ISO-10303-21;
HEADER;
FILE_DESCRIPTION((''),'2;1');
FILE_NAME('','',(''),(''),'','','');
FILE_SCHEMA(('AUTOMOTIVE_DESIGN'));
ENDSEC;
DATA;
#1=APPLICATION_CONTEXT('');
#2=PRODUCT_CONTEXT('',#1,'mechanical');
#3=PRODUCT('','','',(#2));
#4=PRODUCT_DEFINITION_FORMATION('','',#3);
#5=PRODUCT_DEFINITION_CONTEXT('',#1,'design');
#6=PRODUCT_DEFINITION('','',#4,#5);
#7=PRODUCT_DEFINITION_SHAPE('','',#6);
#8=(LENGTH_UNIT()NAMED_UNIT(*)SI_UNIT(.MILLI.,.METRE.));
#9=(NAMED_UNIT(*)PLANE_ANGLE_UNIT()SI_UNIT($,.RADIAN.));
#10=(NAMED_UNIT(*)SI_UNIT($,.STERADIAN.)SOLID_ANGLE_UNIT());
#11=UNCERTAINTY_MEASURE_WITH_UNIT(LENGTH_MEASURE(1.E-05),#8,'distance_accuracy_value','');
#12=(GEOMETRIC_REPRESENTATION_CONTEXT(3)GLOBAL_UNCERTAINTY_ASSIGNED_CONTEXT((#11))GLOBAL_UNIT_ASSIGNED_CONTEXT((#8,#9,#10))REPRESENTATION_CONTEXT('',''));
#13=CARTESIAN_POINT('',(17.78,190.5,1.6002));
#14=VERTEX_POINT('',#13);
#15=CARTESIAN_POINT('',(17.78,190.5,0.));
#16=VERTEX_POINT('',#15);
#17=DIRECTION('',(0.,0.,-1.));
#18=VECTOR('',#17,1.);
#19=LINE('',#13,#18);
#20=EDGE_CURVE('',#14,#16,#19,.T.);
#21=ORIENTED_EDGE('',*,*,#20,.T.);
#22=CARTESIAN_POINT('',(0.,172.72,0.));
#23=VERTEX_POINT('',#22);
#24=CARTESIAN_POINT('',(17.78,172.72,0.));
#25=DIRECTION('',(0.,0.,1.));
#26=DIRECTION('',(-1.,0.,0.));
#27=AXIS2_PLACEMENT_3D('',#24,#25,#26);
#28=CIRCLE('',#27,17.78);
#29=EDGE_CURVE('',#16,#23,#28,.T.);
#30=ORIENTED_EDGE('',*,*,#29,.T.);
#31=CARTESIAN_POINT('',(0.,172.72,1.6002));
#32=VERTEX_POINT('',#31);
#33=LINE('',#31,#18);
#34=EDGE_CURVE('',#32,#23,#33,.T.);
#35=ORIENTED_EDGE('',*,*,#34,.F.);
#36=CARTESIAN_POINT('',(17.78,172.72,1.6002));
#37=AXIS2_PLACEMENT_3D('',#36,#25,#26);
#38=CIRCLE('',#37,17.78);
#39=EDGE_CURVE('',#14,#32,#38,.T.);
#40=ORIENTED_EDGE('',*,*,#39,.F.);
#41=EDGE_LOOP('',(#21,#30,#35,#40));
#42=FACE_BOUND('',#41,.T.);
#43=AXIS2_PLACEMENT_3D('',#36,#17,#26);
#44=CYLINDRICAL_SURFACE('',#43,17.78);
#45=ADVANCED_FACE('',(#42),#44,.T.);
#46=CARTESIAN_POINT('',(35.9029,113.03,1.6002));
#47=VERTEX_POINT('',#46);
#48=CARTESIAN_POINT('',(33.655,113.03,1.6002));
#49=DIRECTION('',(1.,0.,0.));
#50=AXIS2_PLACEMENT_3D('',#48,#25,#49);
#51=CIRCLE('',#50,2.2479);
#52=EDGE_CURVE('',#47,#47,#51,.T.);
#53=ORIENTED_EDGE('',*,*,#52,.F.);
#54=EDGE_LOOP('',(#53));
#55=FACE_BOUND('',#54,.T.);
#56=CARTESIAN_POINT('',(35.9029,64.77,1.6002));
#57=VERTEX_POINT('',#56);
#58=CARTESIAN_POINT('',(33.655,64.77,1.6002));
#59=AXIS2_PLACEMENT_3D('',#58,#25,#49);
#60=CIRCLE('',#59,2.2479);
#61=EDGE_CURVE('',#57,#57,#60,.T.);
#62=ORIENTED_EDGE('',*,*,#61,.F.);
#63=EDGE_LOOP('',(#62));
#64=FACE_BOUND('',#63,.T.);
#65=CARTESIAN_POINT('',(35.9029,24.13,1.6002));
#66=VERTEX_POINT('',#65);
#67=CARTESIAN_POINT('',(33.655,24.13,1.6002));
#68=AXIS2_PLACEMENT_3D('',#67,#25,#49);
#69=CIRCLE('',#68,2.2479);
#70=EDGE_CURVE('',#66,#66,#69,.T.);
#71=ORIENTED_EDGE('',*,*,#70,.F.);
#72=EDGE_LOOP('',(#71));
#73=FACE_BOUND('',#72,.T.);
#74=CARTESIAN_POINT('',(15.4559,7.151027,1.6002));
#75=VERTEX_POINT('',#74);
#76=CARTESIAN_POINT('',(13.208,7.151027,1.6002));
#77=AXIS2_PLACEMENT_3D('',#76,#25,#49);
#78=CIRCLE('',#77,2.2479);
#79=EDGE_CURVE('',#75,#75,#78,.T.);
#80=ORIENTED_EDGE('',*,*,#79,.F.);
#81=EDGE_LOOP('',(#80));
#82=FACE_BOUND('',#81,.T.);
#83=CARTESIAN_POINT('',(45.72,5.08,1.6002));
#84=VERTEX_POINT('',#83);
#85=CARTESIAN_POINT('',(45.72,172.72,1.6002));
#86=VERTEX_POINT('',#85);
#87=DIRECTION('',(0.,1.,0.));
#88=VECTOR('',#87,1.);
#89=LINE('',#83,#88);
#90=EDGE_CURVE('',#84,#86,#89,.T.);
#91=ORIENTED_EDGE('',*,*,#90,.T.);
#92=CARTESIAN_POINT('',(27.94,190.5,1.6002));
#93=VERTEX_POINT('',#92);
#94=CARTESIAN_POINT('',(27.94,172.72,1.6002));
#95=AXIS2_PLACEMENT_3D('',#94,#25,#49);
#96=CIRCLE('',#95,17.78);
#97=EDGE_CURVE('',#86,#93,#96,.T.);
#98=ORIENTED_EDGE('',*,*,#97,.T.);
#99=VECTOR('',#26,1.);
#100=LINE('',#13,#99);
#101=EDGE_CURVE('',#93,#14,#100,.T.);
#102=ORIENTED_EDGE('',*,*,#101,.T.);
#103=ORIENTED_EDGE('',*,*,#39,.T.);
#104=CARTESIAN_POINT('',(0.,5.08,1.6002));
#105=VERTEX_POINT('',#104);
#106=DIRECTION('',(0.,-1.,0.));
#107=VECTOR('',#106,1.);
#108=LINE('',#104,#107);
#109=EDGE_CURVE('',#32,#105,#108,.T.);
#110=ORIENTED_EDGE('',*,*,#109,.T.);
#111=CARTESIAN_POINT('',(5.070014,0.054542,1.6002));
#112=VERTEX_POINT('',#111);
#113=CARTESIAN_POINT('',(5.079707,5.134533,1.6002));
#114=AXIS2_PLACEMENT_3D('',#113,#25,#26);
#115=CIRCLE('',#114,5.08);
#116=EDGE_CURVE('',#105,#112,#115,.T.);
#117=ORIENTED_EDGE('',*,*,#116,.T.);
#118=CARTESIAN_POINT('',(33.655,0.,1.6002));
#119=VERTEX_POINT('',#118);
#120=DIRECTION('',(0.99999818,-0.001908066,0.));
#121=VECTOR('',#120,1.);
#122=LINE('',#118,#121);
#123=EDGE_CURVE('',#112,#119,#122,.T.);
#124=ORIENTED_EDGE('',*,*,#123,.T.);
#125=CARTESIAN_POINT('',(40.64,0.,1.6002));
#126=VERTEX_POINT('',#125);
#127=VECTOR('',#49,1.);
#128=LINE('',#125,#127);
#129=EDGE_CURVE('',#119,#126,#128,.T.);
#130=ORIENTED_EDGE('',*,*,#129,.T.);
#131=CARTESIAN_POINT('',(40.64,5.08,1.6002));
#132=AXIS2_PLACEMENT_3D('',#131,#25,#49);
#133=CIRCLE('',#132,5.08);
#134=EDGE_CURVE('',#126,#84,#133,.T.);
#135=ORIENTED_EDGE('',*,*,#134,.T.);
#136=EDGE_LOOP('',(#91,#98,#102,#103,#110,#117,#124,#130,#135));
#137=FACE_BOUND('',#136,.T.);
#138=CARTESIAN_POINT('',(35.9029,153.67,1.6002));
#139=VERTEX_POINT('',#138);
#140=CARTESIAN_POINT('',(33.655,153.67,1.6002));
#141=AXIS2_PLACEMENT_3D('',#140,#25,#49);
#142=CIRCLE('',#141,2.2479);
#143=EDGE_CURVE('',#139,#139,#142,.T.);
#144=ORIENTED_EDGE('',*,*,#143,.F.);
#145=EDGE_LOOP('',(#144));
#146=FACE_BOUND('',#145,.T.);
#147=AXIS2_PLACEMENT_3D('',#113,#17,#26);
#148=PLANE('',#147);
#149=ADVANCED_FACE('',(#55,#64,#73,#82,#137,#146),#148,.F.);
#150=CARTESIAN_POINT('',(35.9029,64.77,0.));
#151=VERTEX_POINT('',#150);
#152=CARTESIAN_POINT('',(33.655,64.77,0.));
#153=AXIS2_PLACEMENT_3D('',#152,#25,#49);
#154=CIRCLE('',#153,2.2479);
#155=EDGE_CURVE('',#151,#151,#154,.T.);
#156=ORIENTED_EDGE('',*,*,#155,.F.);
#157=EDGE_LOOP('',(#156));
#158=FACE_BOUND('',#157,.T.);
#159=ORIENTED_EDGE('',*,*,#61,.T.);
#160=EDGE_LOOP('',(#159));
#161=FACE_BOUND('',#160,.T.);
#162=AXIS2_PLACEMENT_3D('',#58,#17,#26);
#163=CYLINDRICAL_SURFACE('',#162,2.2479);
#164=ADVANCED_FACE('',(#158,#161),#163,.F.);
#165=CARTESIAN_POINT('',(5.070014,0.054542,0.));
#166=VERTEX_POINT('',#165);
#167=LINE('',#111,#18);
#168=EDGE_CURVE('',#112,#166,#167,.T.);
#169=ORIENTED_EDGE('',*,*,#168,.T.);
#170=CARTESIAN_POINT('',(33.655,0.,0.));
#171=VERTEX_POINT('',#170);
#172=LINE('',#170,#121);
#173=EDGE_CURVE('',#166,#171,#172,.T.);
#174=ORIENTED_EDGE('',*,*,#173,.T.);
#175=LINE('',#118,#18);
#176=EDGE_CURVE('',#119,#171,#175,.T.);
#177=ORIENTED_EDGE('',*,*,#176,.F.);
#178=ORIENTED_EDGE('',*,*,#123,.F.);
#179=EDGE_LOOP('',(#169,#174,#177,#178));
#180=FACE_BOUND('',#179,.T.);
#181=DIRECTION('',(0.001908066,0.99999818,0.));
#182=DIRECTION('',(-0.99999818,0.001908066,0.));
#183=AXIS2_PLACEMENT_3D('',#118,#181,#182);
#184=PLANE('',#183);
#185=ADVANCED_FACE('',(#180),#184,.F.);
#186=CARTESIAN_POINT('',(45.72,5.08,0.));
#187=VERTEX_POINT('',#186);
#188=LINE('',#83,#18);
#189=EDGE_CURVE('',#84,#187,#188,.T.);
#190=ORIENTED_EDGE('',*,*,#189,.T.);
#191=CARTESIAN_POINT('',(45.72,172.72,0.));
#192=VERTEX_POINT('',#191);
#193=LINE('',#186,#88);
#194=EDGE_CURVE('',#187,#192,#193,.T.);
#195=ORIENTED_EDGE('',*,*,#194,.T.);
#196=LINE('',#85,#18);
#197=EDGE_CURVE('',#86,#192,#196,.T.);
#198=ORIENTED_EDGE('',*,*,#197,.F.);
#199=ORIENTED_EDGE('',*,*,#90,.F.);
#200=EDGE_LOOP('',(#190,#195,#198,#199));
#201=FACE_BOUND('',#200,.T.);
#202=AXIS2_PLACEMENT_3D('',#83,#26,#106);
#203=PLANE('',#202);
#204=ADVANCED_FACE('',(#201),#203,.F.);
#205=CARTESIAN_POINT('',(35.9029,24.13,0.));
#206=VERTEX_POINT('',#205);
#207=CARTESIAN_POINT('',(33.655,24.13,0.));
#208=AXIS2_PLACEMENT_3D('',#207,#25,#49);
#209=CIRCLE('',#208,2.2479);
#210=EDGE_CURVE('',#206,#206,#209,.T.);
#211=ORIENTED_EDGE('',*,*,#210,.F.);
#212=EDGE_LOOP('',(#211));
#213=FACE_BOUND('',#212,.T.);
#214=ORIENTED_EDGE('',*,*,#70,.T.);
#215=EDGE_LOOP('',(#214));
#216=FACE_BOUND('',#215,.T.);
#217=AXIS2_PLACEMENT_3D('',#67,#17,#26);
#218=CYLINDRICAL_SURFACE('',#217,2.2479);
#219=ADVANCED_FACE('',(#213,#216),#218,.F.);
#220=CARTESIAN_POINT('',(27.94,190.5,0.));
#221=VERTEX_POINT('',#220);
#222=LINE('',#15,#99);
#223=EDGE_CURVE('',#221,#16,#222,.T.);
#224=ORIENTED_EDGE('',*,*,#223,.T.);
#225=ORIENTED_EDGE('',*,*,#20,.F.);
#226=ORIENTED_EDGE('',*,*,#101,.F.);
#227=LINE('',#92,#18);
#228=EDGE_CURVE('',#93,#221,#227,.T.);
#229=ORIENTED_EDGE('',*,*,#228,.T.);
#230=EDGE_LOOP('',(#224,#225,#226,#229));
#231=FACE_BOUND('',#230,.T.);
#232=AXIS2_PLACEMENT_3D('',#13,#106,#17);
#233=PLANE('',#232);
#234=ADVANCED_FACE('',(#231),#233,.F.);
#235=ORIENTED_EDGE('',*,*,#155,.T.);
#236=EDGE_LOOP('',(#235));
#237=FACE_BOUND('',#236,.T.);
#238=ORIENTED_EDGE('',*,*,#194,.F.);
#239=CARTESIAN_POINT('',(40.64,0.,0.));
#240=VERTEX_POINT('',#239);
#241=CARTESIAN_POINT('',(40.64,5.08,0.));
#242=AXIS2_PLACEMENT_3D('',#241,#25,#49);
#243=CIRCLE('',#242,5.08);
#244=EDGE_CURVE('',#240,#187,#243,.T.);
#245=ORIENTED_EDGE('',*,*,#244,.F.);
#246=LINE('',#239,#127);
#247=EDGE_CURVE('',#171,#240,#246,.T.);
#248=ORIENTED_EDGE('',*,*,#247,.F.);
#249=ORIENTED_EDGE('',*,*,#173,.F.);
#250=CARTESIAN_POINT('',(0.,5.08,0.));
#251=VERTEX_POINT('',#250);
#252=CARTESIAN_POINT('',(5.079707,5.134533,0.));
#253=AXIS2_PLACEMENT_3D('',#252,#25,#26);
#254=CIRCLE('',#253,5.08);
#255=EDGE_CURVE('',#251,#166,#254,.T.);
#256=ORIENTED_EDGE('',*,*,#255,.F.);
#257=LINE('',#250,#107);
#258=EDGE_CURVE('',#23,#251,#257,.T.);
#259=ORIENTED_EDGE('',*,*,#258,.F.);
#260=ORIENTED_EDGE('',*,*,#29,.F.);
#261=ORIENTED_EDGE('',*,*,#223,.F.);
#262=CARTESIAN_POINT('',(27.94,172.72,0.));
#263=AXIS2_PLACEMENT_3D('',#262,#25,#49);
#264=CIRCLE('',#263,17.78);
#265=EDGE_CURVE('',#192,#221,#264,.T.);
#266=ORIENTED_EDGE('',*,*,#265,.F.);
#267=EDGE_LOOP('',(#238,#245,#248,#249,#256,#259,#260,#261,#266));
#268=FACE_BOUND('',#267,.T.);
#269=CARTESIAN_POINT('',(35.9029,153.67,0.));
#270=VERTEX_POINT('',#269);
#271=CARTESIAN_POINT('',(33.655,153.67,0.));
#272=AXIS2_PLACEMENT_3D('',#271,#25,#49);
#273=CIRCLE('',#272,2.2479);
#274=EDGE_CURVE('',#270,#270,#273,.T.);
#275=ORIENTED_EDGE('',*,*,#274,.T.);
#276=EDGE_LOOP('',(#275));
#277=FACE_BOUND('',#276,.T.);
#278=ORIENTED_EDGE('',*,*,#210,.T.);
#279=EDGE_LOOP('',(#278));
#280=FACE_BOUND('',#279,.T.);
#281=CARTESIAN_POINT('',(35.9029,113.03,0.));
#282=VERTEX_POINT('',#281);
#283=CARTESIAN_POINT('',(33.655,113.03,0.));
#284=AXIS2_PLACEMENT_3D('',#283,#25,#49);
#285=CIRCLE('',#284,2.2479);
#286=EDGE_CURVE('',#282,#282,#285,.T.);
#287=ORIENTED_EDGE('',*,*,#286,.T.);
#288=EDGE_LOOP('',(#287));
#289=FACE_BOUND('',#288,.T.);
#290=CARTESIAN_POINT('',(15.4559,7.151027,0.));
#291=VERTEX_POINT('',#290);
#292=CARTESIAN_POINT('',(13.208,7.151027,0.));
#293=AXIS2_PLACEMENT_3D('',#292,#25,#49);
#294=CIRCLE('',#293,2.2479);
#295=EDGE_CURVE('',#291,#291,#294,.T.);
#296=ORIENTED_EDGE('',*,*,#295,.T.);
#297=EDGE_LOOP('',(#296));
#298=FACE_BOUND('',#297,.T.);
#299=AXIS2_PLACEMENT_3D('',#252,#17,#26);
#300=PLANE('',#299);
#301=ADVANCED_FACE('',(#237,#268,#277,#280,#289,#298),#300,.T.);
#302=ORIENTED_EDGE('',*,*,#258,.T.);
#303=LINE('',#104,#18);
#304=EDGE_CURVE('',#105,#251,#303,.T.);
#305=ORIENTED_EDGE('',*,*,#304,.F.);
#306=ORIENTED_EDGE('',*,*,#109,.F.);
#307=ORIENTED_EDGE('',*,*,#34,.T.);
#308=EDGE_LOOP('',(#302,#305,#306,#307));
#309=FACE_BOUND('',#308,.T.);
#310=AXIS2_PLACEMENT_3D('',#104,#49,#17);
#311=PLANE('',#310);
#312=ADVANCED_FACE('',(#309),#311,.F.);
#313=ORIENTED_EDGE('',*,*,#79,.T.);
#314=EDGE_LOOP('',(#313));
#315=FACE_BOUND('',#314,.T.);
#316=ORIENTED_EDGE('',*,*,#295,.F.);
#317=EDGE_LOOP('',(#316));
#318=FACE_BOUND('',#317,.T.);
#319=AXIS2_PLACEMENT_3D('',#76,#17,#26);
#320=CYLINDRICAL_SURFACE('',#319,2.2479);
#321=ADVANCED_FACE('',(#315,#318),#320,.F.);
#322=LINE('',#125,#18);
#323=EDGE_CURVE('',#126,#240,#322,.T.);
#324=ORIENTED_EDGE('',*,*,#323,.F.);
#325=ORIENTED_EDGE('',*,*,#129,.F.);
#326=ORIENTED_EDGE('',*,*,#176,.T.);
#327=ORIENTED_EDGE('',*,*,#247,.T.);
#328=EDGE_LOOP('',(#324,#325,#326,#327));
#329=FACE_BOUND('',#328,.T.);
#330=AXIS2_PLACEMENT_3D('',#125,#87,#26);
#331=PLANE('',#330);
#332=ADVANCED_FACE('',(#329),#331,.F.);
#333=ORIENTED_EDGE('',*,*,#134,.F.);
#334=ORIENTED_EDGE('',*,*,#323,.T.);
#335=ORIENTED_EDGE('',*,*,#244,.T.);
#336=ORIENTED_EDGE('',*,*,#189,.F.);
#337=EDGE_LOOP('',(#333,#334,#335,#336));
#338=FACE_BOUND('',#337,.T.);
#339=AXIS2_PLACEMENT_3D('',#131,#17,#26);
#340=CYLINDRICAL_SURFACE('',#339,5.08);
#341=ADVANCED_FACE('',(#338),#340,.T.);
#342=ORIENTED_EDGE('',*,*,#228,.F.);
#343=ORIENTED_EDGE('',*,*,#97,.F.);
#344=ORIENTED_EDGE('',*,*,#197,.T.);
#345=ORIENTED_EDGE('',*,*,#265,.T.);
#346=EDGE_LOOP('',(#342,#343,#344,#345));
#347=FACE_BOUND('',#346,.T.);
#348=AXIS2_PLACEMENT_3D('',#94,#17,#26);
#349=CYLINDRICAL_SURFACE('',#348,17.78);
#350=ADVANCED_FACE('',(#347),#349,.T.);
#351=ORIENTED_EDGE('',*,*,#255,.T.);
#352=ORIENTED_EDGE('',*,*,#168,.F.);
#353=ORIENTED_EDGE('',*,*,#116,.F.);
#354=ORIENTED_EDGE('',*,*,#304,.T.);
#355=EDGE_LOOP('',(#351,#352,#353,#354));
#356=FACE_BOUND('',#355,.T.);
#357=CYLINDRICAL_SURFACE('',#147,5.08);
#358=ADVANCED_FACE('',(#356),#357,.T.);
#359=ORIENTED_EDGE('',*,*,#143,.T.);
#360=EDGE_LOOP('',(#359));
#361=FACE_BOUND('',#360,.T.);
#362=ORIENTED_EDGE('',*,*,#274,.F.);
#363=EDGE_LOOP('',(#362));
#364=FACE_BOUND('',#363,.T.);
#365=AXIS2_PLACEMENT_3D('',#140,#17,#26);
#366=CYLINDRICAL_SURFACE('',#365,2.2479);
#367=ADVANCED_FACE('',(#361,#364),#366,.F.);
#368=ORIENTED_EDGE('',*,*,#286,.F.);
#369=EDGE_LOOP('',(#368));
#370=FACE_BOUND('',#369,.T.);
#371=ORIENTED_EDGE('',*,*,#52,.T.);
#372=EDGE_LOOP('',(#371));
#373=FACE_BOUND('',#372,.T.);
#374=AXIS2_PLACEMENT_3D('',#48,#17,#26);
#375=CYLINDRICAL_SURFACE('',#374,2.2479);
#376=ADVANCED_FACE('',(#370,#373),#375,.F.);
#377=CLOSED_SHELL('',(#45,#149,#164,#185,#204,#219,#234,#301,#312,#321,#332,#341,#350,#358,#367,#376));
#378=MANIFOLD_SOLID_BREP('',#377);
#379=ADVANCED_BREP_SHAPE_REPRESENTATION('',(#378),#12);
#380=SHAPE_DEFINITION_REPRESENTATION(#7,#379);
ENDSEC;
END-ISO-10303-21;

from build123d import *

# Parameters (mm, degrees)
SKETCH1_R           = 2.2479
BOSS_EXTRUDE2_DEPTH = 1.6002


with BuildPart() as part:
    # Sketch1 → Boss-Extrude2 (new body)
    with BuildSketch(Plane.XY):
        with BuildLine():
            Line((45.72, 5.08), (45.72, 172.72))
            ThreePointArc((45.72, 172.72), (40.512358569, 185.292358569), (27.94, 190.5))
            Line((27.94, 190.5), (17.78, 190.5))
            ThreePointArc((17.78, 190.5), (5.207641431, 185.292358569), (0, 172.72))
            Line((0, 172.72), (0, 5.08))
            ThreePointArc((0, 5.08), (1.503493452, 1.526611814), (5.070014314, 0.054542149))
            Line((5.070014314, 0.054542149), (33.655, 0))
            Line((33.655, 0), (40.64, 0))
            ThreePointArc((40.64, 0), (44.232102448, 1.487897552), (45.72, 5.08))
        make_face()
        with Locations((33.655, 24.13)):
            Circle(SKETCH1_R, mode=Mode.SUBTRACT)
        with Locations((33.655, 64.77)):
            Circle(SKETCH1_R, mode=Mode.SUBTRACT)
        with Locations((33.655, 113.03)):
            Circle(SKETCH1_R, mode=Mode.SUBTRACT)
        with Locations((33.655, 153.67)):
            Circle(SKETCH1_R, mode=Mode.SUBTRACT)
        with Locations((13.208, 7.15102725)):
            Circle(SKETCH1_R, mode=Mode.SUBTRACT)
    extrude(amount=BOSS_EXTRUDE2_DEPTH)


solid = part.part
